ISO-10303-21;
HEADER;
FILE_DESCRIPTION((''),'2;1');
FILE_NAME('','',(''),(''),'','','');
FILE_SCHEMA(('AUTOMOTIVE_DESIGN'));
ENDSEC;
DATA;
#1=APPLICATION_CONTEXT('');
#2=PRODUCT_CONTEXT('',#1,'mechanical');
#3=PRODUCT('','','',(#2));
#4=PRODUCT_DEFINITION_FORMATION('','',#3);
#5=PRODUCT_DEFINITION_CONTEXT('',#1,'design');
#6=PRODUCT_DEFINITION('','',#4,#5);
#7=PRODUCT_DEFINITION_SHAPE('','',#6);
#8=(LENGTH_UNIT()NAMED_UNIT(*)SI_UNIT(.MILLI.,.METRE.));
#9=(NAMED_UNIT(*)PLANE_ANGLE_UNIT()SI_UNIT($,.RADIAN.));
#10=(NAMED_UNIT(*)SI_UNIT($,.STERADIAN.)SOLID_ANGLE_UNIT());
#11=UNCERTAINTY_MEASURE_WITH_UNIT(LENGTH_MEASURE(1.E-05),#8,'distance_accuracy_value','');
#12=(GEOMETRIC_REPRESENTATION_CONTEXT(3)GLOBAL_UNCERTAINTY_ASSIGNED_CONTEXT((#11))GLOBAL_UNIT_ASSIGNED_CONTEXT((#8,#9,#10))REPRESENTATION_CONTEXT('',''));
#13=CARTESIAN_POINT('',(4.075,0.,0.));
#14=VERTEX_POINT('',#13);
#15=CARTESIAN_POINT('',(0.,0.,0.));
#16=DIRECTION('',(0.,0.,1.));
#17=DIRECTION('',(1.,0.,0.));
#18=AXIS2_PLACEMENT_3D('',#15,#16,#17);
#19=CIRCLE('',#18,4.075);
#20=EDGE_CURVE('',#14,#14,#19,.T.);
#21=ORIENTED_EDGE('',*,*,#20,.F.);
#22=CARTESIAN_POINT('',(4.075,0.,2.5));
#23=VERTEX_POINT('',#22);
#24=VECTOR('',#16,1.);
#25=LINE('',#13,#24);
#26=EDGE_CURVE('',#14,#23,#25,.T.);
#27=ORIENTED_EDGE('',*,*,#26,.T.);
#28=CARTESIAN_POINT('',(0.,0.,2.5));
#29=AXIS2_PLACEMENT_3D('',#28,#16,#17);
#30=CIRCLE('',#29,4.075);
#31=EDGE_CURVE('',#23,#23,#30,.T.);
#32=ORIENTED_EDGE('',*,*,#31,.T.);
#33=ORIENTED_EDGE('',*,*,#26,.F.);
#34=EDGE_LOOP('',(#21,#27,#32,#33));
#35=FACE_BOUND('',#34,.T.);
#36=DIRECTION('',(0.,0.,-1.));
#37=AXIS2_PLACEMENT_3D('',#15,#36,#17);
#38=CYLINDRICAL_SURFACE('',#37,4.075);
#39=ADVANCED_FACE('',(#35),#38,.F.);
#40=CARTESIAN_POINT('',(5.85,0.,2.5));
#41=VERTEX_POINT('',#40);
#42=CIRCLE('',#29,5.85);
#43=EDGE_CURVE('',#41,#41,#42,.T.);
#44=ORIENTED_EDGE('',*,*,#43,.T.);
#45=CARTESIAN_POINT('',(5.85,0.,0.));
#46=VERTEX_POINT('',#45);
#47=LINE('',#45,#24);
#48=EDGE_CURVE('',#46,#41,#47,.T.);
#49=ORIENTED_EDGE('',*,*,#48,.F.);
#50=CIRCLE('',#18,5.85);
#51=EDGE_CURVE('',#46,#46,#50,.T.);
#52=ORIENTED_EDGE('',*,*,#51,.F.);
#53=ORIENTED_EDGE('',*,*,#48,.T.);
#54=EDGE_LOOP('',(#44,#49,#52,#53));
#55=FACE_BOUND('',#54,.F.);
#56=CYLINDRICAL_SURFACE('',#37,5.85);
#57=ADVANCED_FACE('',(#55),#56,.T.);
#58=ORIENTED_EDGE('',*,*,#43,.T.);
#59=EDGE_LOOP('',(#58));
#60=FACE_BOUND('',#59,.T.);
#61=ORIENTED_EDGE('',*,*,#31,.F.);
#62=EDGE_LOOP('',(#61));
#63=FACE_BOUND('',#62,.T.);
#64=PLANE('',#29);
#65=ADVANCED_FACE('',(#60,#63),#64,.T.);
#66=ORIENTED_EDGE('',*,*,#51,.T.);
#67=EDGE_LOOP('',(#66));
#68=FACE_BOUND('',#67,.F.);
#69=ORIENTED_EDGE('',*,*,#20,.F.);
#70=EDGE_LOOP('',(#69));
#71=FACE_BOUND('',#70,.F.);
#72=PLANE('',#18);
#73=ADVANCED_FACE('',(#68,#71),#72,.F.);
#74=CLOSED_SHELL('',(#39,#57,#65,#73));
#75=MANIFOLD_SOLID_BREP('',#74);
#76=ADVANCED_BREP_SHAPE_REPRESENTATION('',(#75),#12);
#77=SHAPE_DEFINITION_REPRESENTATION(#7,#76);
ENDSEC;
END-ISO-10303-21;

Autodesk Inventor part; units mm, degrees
ref_plane "YZ Plane" through (0, 0, 0) normal (1, 0, 0) x (0, 1, 0)
ref_plane "XZ Plane" through (0, 0, 0) normal (0, 1, 0) x (-1, 0, 0)
ref_plane "XY Plane" through (0, 0, 0) normal (0, 0, 1) x (1, 0, 0)
sketch "Skizze1" plane through (0, 0, 0) normal (0, 0, 1) x (1, 0, 0)
  circle A0 centre (0, 0) radius 3.9902 construction
  circle A1 centre (0, 0) radius 5.35 construction
  circle A2 centre (0, 0) radius 4.075
  circle A3 centre (0, 0) radius 5.85
  dimension "d2" = 8.15
  dimension "d3" = 11.7
extrude "Extrusion2" add sketch "Skizze1" along normal blind 2.5
properties part number "distance_short"
